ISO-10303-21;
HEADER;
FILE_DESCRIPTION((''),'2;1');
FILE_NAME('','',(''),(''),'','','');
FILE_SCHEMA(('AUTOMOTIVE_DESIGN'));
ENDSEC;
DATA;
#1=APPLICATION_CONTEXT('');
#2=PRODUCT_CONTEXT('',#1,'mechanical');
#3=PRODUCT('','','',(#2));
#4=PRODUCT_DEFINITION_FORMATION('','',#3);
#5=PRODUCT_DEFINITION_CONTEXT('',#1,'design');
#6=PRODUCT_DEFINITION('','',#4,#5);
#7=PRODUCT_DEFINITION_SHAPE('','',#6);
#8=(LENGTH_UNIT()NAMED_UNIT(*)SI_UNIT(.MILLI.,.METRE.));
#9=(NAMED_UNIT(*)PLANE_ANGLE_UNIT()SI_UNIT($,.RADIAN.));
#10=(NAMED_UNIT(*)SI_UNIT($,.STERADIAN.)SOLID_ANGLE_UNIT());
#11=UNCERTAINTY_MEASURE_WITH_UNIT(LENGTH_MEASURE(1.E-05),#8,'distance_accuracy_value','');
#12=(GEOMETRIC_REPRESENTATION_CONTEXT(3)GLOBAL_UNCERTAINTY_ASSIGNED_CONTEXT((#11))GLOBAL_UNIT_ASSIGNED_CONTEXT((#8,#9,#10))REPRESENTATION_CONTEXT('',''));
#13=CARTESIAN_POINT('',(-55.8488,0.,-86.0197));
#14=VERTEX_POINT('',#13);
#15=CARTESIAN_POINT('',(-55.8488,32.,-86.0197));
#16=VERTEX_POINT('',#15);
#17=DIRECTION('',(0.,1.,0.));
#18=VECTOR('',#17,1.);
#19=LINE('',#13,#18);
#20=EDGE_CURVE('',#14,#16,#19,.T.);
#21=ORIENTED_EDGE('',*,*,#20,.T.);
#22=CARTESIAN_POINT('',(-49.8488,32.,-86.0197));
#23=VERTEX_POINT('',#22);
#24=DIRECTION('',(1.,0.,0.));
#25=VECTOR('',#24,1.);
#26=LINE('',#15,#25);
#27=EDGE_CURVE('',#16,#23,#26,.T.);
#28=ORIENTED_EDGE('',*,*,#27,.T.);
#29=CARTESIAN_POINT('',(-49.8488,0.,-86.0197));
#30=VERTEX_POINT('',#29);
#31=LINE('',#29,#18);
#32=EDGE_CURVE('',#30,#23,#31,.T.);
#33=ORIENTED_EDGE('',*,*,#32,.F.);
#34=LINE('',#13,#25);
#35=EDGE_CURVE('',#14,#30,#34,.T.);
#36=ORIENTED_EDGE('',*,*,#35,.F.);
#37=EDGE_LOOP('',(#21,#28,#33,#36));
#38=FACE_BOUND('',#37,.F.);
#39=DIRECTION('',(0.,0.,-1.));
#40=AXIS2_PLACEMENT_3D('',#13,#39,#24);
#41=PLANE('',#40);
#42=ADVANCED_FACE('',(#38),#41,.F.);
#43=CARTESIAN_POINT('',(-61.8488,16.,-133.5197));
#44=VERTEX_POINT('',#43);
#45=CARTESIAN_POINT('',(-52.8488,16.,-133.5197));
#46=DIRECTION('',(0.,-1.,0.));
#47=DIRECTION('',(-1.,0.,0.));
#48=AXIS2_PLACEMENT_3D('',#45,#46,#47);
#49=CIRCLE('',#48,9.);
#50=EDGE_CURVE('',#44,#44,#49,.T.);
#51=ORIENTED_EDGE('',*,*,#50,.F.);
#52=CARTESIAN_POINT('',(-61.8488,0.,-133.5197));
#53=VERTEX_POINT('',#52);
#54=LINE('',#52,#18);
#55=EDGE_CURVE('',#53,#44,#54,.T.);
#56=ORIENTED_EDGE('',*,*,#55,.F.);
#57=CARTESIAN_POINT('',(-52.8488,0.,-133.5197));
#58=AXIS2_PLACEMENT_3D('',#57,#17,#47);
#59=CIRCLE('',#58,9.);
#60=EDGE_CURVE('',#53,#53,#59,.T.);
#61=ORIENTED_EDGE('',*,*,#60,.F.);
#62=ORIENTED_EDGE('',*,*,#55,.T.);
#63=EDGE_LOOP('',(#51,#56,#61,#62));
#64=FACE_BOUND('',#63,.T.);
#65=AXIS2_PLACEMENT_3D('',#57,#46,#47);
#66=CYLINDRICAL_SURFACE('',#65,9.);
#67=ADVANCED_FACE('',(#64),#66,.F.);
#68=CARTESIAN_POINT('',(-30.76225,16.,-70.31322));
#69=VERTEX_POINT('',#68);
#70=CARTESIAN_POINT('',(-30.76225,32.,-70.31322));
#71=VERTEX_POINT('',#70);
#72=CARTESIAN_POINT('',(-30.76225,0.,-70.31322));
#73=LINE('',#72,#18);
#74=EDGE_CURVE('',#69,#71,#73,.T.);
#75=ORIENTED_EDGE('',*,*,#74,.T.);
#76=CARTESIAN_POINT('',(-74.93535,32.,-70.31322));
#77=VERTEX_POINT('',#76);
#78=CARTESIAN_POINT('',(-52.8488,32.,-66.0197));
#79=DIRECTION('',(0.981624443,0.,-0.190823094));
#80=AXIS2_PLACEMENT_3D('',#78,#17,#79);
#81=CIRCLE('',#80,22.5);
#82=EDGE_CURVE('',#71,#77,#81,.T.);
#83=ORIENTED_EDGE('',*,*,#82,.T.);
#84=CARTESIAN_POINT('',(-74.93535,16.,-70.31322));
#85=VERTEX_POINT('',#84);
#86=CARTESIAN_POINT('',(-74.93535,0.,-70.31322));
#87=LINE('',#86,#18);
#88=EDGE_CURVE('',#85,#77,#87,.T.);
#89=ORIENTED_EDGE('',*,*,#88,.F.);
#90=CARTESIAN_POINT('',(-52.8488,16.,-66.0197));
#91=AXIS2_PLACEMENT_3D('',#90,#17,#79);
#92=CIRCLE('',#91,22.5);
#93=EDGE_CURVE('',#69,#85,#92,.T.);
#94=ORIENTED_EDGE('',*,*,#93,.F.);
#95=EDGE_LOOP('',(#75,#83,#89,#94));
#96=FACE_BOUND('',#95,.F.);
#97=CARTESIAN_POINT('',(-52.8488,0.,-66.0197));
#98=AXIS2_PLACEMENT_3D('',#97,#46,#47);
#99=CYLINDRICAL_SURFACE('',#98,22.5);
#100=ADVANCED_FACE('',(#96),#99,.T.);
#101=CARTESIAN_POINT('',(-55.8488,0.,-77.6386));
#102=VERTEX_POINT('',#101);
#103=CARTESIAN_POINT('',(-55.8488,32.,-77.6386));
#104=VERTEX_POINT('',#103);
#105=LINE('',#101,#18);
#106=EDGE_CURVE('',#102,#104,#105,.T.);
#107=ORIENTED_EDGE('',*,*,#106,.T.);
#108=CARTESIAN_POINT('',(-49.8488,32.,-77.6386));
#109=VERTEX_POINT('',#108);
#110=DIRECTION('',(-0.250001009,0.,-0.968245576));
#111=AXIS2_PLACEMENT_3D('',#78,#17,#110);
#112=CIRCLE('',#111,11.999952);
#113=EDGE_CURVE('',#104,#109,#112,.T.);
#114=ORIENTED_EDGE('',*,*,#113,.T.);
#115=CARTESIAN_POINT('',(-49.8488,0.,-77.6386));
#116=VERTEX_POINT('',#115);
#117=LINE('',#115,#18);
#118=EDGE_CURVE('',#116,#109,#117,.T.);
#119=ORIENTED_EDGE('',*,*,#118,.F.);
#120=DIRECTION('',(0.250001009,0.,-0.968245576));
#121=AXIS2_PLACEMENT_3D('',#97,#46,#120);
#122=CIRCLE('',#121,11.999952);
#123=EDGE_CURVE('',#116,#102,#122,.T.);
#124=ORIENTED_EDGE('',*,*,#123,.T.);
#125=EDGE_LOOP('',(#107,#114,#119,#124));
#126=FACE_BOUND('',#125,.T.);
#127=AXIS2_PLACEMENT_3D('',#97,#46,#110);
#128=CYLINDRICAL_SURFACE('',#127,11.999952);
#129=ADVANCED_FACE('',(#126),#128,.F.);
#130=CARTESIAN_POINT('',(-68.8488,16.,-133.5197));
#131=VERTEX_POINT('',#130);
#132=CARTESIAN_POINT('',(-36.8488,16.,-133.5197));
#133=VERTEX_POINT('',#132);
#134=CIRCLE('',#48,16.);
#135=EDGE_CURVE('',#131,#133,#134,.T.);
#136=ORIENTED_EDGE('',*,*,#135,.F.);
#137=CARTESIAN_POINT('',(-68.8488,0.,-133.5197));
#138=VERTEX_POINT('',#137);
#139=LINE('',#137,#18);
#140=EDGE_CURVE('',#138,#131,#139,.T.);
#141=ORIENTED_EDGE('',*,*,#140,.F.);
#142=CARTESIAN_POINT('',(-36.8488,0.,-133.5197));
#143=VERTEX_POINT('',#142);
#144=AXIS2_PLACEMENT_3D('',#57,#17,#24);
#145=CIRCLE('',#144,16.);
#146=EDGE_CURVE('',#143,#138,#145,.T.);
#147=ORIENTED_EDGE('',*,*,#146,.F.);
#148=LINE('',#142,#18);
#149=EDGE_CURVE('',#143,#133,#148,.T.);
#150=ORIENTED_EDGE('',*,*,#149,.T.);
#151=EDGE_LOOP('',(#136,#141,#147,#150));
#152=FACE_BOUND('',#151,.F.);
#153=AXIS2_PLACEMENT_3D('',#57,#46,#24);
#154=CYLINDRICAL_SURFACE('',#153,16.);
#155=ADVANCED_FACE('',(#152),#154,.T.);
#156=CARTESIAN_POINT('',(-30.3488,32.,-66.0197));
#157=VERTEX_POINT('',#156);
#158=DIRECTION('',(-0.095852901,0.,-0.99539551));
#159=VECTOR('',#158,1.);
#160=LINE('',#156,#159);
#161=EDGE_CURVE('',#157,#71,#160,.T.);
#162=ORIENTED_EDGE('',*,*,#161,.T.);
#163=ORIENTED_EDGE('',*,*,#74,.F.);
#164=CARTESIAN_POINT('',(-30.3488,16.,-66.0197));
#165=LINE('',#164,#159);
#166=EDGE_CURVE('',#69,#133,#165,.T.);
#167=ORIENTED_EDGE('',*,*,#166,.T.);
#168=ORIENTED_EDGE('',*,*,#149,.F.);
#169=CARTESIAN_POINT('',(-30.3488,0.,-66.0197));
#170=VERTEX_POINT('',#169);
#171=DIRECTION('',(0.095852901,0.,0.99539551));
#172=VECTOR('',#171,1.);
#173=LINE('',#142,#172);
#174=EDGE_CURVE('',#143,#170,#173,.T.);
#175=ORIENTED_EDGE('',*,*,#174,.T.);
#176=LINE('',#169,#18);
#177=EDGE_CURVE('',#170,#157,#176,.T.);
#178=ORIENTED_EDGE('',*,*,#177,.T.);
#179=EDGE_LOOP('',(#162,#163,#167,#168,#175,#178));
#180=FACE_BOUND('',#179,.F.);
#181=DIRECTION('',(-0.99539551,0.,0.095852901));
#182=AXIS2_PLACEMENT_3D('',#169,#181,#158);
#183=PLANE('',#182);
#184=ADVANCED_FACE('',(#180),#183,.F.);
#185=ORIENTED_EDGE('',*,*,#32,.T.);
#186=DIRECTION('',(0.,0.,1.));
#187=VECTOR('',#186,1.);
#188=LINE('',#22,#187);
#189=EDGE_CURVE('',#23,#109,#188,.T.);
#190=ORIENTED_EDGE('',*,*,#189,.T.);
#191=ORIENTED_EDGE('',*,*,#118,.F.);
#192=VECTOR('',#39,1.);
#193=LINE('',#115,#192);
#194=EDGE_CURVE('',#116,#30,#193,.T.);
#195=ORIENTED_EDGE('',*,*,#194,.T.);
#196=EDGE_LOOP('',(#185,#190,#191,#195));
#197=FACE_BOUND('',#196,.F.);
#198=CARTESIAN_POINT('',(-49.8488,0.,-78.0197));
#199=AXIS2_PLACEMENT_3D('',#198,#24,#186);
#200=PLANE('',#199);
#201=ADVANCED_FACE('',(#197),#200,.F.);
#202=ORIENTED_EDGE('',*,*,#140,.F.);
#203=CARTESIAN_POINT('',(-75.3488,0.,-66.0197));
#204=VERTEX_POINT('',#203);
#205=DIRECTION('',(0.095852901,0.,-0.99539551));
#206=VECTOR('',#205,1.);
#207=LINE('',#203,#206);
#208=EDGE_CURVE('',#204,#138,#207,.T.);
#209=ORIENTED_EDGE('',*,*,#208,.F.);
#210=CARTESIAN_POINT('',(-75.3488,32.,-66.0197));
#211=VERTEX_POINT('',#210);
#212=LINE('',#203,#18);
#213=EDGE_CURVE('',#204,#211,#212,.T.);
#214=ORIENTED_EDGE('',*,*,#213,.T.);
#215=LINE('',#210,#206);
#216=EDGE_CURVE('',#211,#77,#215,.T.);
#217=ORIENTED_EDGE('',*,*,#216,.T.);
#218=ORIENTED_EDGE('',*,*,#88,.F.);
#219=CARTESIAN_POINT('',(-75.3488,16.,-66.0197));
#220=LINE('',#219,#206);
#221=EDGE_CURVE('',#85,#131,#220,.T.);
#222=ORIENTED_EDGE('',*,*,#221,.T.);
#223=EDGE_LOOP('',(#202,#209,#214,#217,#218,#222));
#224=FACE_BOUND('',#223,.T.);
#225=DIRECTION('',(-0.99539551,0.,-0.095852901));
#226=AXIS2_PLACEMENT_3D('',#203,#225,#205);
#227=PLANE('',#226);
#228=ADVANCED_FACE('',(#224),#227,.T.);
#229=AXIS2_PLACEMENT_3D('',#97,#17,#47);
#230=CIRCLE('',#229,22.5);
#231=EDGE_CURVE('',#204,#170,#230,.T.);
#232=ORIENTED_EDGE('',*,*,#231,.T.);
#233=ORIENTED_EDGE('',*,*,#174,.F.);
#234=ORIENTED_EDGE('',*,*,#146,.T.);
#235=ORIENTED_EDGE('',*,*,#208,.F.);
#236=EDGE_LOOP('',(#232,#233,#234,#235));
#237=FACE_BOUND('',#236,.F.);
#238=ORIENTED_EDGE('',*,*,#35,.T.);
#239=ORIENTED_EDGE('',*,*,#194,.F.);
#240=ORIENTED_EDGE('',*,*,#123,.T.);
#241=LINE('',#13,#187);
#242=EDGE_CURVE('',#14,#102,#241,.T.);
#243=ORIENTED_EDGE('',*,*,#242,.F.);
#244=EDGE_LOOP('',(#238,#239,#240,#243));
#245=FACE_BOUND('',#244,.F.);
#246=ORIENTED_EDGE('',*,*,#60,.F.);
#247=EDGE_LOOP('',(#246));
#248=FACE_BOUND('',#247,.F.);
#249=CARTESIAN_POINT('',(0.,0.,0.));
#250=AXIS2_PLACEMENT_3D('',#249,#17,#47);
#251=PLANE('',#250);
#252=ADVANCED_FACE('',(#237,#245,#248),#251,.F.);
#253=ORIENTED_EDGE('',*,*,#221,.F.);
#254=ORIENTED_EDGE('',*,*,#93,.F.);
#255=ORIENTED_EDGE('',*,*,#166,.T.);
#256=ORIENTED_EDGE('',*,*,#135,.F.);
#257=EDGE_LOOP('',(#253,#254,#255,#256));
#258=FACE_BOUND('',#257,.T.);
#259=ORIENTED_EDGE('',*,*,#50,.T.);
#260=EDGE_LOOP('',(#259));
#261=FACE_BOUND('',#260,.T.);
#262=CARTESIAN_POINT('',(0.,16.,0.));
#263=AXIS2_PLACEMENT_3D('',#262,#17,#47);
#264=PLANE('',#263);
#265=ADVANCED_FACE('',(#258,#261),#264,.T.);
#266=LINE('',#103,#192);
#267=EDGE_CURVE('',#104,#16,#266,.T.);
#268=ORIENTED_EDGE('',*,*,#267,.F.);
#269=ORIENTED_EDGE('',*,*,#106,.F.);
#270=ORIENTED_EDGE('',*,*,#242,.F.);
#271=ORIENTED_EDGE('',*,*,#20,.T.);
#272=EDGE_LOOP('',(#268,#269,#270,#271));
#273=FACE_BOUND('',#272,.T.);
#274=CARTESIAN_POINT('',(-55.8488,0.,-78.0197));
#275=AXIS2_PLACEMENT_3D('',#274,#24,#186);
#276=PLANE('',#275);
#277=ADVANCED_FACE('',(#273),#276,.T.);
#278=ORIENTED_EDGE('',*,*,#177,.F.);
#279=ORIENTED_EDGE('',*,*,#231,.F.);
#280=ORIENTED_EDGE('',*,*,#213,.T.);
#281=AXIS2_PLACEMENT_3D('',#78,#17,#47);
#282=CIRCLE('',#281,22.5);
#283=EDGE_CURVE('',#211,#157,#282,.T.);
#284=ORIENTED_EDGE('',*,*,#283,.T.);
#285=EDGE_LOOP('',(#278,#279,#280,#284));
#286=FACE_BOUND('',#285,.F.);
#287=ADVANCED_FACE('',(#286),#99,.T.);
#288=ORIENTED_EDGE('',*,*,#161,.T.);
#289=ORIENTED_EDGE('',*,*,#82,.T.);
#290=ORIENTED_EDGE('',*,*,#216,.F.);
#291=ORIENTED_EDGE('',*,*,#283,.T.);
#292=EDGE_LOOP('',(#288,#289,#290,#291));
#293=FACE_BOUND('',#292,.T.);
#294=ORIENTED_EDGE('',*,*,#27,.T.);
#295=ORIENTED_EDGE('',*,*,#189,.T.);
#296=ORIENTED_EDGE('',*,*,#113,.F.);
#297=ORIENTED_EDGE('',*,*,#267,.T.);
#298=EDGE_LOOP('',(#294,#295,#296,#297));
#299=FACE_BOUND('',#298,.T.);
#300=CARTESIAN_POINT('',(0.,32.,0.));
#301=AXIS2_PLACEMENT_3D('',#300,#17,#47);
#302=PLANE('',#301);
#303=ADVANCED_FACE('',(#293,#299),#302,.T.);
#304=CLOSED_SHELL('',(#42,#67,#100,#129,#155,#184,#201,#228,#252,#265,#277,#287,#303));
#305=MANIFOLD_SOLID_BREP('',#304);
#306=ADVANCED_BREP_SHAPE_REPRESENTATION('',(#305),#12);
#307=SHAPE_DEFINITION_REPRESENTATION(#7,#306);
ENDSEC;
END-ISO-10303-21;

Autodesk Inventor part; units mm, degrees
ref_plane "YZ Plane" through (0, 0, 0) normal (1, 0, 0) x (0, 1, 0)
ref_plane "XZ Plane" through (0, 0, 0) normal (0, 1, 0) x (-1, 0, 0)
ref_plane "XY Plane" through (0, 0, 0) normal (0, 0, 1) x (1, 0, 0)
sketch "Sketch1" plane through (0, 0, 0) normal (0, 1, 0) x (-1, 0, 0)
  circle A0 centre (52.8488, -66.0197) radius 22.5
  arc A1 (55.8488, -77.6386) -> (49.8488, -77.6386) centre (52.8488, -66.0197) ccw
  line L0 (52.8488, -88.5197) -> (52.8488, -133.5197)
  line L1 (52.8488, -88.5197) -> (97.8488, -88.5197) construction
  line L2 (52.8488, -133.5197) -> (52.8488, -149.5197)
  circle A2 centre (52.8488, -133.5197) radius 9
  line L3 (52.8488, -133.5197) -> (68.8488, -133.5197)
  line L4 (52.8488, -133.5197) -> (60.8488, -147.3761)
  line L5 (52.8488, -133.5197) -> (68.8488, -133.5197) construction
  line L6 (52.8488, -133.5197) -> (44.8488, -147.3761)
  line L7 (52.8488, -133.5197) -> (68.8488, -133.5197) construction
  line L8 (52.8488, -133.5197) -> (49.8488, -133.5197)
  arc A3 (36.8488, -133.5197) -> (68.8488, -133.5197) centre (52.8488, -133.5197) ccw
  line L9 (52.8488, -66.0197) -> (75.3488, -66.0197)
  line L10 (52.8488, -66.0197) -> (30.3488, -66.0197)
  line L11 (75.3488, -66.0197) -> (68.8488, -133.5197)
  line L12 (30.3488, -66.0197) -> (36.8488, -133.5197)
  line L13 (52.8488, -78.0197) -> (55.8488, -78.0197)
  line L14 (52.8488, -78.0197) -> (55.8488, -78.0197) construction
  line L15 (55.8488, -78.0197) -> (55.8488, -86.0197)
  line L16 (55.8488, -86.0197) -> (49.8488, -86.0197)
  line L17 (52.8488, -78.0197) -> (49.8488, -78.0197)
  line L18 (52.8488, -78.0197) -> (55.8488, -78.0197) construction
  line L19 (49.8488, -78.0197) -> (49.8488, -86.0197)
  line L20 (55.8488, -78.0197) -> (55.8488, -77.6386)
  line L21 (49.8488, -78.0197) -> (49.8488, -77.6386)
  point P0 (0, 0)
  point P1 (30.7622, -70.3132)
  point P2 (74.9353, -70.3132)
  dimension "d0" = 45
  dimension "d1" = 24
  dimension "d2" = 45
  dimension "d3" = 90
  dimension "d4" = 18
  dimension "d5" = 16
  dimension "d6" = 16
  dimension "d7" = 60
  dimension "d8" = 16
  dimension "d9" = 120
  dimension "d10" = 16
  dimension "d11" = 16
  dimension "d12" = 3
  dimension "d13" = 0
  dimension "d14" = 8
  dimension "d15" = 6
  dimension "d16" = 3
  dimension "d17" = 180
extrude "Extrusion1" add sketch "Sketch1" along normal blind 32 contours L9 A1 L10 A0 | L11 A0 L12 L10 A1 L21 L19 L16 L15 L20 L9
extrude "Extrusion2" add sketch "Sketch1" along normal blind 16 contours L11 L3 A2 L0 A0 | A0 L0 A2 L6 A3 L12 | A3 L4 A2 L3 | A3 L2 A2 L4 | L6 A2 L2 A3
properties part number "trial 3"
